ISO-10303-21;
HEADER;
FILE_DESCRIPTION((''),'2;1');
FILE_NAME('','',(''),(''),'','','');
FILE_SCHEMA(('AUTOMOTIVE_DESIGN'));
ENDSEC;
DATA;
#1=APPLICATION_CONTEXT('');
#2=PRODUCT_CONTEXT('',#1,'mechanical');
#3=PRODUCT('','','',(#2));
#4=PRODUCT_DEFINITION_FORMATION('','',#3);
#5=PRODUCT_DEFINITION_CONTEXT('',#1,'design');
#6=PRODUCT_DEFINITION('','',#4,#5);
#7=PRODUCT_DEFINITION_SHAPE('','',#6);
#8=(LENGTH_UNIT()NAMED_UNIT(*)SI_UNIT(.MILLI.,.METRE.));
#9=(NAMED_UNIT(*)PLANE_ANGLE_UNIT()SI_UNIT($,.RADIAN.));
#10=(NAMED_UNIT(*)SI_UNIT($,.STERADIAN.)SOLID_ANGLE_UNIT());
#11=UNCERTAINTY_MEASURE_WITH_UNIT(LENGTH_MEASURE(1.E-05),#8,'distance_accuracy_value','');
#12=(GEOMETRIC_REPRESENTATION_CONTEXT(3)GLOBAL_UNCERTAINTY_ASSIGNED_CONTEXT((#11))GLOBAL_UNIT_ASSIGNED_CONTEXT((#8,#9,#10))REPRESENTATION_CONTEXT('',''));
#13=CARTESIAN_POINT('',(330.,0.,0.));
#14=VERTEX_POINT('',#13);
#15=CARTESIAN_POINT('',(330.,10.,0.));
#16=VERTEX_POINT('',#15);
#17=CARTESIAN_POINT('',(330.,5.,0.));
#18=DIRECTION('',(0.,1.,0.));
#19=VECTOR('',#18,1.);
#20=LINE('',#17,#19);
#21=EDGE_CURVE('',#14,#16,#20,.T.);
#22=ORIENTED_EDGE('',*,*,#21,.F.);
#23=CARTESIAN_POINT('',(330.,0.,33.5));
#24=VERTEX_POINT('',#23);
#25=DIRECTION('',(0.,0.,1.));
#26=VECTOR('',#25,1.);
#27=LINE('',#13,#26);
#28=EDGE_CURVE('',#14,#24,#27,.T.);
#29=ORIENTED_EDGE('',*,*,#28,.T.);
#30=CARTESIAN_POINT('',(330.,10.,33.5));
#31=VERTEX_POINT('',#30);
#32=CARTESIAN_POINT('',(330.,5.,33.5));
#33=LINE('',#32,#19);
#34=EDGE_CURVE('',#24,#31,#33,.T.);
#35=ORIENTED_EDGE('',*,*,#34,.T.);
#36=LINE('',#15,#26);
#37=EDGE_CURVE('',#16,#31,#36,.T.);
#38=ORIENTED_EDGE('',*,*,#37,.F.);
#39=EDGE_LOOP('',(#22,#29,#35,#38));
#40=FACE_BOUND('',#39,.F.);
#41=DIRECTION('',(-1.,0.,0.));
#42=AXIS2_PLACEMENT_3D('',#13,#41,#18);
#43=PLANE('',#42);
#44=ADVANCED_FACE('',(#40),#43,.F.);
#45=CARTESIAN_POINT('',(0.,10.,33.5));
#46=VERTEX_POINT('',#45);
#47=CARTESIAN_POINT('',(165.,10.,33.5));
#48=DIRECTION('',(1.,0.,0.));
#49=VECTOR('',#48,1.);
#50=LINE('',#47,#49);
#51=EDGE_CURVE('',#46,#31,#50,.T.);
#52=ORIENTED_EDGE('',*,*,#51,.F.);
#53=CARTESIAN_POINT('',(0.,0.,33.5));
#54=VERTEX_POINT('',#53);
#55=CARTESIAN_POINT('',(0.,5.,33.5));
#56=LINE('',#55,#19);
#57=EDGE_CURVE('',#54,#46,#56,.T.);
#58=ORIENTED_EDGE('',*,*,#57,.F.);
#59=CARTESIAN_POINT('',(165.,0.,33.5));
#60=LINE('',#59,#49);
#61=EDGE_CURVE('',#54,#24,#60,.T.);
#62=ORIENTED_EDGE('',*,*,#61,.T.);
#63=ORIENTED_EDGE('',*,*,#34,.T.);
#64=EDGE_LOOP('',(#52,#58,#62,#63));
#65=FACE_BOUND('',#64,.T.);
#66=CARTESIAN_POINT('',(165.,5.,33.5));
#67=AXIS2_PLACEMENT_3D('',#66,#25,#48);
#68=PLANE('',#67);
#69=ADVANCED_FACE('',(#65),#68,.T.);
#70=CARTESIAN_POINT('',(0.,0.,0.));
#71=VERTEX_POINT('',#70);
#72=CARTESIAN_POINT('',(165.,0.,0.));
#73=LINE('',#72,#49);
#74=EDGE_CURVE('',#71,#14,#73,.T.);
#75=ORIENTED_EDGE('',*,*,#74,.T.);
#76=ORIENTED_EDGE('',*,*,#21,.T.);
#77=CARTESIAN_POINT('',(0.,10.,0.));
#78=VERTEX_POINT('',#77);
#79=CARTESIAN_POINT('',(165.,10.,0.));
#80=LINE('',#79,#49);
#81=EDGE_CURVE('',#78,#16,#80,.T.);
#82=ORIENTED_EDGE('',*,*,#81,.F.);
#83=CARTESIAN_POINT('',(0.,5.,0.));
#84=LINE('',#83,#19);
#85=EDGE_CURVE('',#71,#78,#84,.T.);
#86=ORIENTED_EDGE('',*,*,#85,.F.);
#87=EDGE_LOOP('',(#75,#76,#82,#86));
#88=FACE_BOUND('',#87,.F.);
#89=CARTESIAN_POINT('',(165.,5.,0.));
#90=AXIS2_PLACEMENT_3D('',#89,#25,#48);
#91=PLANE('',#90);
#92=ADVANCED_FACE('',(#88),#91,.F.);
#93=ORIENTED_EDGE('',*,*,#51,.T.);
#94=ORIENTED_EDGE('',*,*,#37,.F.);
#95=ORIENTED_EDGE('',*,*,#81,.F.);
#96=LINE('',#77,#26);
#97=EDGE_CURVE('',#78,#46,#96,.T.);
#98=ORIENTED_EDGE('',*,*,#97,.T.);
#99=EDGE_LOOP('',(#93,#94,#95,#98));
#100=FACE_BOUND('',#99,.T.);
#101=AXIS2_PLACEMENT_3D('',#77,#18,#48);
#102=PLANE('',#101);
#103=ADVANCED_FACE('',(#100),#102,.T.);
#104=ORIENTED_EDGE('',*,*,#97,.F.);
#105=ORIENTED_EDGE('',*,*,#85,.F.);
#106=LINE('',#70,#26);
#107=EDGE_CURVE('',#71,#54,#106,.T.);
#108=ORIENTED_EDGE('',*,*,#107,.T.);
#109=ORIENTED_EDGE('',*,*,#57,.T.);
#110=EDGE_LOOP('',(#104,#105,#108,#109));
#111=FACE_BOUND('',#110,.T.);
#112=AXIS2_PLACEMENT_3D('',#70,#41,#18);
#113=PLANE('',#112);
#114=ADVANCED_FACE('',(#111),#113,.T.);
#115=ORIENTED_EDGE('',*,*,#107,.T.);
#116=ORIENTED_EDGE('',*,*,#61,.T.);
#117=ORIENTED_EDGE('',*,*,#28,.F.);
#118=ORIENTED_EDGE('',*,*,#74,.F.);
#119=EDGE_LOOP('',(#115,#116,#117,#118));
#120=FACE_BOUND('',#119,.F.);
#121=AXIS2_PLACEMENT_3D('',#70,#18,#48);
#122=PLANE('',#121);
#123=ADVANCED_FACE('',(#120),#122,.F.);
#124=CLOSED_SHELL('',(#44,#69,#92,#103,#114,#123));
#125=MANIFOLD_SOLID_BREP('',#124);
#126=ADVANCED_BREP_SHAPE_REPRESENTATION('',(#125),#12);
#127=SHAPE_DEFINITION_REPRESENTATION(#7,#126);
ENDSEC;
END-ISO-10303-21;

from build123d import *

# Parameters (mm, degrees)
SKETCH_W  = 330
SKETCH_H  = 10
PAD_DEPTH = 33.5


with BuildPart() as part:
    # Sketch → Pad (new body)
    with BuildSketch(Plane.XY):
        with Locations((165, 5)):
            Rectangle(SKETCH_W, SKETCH_H)
    extrude(amount=PAD_DEPTH)


solid = part.part
